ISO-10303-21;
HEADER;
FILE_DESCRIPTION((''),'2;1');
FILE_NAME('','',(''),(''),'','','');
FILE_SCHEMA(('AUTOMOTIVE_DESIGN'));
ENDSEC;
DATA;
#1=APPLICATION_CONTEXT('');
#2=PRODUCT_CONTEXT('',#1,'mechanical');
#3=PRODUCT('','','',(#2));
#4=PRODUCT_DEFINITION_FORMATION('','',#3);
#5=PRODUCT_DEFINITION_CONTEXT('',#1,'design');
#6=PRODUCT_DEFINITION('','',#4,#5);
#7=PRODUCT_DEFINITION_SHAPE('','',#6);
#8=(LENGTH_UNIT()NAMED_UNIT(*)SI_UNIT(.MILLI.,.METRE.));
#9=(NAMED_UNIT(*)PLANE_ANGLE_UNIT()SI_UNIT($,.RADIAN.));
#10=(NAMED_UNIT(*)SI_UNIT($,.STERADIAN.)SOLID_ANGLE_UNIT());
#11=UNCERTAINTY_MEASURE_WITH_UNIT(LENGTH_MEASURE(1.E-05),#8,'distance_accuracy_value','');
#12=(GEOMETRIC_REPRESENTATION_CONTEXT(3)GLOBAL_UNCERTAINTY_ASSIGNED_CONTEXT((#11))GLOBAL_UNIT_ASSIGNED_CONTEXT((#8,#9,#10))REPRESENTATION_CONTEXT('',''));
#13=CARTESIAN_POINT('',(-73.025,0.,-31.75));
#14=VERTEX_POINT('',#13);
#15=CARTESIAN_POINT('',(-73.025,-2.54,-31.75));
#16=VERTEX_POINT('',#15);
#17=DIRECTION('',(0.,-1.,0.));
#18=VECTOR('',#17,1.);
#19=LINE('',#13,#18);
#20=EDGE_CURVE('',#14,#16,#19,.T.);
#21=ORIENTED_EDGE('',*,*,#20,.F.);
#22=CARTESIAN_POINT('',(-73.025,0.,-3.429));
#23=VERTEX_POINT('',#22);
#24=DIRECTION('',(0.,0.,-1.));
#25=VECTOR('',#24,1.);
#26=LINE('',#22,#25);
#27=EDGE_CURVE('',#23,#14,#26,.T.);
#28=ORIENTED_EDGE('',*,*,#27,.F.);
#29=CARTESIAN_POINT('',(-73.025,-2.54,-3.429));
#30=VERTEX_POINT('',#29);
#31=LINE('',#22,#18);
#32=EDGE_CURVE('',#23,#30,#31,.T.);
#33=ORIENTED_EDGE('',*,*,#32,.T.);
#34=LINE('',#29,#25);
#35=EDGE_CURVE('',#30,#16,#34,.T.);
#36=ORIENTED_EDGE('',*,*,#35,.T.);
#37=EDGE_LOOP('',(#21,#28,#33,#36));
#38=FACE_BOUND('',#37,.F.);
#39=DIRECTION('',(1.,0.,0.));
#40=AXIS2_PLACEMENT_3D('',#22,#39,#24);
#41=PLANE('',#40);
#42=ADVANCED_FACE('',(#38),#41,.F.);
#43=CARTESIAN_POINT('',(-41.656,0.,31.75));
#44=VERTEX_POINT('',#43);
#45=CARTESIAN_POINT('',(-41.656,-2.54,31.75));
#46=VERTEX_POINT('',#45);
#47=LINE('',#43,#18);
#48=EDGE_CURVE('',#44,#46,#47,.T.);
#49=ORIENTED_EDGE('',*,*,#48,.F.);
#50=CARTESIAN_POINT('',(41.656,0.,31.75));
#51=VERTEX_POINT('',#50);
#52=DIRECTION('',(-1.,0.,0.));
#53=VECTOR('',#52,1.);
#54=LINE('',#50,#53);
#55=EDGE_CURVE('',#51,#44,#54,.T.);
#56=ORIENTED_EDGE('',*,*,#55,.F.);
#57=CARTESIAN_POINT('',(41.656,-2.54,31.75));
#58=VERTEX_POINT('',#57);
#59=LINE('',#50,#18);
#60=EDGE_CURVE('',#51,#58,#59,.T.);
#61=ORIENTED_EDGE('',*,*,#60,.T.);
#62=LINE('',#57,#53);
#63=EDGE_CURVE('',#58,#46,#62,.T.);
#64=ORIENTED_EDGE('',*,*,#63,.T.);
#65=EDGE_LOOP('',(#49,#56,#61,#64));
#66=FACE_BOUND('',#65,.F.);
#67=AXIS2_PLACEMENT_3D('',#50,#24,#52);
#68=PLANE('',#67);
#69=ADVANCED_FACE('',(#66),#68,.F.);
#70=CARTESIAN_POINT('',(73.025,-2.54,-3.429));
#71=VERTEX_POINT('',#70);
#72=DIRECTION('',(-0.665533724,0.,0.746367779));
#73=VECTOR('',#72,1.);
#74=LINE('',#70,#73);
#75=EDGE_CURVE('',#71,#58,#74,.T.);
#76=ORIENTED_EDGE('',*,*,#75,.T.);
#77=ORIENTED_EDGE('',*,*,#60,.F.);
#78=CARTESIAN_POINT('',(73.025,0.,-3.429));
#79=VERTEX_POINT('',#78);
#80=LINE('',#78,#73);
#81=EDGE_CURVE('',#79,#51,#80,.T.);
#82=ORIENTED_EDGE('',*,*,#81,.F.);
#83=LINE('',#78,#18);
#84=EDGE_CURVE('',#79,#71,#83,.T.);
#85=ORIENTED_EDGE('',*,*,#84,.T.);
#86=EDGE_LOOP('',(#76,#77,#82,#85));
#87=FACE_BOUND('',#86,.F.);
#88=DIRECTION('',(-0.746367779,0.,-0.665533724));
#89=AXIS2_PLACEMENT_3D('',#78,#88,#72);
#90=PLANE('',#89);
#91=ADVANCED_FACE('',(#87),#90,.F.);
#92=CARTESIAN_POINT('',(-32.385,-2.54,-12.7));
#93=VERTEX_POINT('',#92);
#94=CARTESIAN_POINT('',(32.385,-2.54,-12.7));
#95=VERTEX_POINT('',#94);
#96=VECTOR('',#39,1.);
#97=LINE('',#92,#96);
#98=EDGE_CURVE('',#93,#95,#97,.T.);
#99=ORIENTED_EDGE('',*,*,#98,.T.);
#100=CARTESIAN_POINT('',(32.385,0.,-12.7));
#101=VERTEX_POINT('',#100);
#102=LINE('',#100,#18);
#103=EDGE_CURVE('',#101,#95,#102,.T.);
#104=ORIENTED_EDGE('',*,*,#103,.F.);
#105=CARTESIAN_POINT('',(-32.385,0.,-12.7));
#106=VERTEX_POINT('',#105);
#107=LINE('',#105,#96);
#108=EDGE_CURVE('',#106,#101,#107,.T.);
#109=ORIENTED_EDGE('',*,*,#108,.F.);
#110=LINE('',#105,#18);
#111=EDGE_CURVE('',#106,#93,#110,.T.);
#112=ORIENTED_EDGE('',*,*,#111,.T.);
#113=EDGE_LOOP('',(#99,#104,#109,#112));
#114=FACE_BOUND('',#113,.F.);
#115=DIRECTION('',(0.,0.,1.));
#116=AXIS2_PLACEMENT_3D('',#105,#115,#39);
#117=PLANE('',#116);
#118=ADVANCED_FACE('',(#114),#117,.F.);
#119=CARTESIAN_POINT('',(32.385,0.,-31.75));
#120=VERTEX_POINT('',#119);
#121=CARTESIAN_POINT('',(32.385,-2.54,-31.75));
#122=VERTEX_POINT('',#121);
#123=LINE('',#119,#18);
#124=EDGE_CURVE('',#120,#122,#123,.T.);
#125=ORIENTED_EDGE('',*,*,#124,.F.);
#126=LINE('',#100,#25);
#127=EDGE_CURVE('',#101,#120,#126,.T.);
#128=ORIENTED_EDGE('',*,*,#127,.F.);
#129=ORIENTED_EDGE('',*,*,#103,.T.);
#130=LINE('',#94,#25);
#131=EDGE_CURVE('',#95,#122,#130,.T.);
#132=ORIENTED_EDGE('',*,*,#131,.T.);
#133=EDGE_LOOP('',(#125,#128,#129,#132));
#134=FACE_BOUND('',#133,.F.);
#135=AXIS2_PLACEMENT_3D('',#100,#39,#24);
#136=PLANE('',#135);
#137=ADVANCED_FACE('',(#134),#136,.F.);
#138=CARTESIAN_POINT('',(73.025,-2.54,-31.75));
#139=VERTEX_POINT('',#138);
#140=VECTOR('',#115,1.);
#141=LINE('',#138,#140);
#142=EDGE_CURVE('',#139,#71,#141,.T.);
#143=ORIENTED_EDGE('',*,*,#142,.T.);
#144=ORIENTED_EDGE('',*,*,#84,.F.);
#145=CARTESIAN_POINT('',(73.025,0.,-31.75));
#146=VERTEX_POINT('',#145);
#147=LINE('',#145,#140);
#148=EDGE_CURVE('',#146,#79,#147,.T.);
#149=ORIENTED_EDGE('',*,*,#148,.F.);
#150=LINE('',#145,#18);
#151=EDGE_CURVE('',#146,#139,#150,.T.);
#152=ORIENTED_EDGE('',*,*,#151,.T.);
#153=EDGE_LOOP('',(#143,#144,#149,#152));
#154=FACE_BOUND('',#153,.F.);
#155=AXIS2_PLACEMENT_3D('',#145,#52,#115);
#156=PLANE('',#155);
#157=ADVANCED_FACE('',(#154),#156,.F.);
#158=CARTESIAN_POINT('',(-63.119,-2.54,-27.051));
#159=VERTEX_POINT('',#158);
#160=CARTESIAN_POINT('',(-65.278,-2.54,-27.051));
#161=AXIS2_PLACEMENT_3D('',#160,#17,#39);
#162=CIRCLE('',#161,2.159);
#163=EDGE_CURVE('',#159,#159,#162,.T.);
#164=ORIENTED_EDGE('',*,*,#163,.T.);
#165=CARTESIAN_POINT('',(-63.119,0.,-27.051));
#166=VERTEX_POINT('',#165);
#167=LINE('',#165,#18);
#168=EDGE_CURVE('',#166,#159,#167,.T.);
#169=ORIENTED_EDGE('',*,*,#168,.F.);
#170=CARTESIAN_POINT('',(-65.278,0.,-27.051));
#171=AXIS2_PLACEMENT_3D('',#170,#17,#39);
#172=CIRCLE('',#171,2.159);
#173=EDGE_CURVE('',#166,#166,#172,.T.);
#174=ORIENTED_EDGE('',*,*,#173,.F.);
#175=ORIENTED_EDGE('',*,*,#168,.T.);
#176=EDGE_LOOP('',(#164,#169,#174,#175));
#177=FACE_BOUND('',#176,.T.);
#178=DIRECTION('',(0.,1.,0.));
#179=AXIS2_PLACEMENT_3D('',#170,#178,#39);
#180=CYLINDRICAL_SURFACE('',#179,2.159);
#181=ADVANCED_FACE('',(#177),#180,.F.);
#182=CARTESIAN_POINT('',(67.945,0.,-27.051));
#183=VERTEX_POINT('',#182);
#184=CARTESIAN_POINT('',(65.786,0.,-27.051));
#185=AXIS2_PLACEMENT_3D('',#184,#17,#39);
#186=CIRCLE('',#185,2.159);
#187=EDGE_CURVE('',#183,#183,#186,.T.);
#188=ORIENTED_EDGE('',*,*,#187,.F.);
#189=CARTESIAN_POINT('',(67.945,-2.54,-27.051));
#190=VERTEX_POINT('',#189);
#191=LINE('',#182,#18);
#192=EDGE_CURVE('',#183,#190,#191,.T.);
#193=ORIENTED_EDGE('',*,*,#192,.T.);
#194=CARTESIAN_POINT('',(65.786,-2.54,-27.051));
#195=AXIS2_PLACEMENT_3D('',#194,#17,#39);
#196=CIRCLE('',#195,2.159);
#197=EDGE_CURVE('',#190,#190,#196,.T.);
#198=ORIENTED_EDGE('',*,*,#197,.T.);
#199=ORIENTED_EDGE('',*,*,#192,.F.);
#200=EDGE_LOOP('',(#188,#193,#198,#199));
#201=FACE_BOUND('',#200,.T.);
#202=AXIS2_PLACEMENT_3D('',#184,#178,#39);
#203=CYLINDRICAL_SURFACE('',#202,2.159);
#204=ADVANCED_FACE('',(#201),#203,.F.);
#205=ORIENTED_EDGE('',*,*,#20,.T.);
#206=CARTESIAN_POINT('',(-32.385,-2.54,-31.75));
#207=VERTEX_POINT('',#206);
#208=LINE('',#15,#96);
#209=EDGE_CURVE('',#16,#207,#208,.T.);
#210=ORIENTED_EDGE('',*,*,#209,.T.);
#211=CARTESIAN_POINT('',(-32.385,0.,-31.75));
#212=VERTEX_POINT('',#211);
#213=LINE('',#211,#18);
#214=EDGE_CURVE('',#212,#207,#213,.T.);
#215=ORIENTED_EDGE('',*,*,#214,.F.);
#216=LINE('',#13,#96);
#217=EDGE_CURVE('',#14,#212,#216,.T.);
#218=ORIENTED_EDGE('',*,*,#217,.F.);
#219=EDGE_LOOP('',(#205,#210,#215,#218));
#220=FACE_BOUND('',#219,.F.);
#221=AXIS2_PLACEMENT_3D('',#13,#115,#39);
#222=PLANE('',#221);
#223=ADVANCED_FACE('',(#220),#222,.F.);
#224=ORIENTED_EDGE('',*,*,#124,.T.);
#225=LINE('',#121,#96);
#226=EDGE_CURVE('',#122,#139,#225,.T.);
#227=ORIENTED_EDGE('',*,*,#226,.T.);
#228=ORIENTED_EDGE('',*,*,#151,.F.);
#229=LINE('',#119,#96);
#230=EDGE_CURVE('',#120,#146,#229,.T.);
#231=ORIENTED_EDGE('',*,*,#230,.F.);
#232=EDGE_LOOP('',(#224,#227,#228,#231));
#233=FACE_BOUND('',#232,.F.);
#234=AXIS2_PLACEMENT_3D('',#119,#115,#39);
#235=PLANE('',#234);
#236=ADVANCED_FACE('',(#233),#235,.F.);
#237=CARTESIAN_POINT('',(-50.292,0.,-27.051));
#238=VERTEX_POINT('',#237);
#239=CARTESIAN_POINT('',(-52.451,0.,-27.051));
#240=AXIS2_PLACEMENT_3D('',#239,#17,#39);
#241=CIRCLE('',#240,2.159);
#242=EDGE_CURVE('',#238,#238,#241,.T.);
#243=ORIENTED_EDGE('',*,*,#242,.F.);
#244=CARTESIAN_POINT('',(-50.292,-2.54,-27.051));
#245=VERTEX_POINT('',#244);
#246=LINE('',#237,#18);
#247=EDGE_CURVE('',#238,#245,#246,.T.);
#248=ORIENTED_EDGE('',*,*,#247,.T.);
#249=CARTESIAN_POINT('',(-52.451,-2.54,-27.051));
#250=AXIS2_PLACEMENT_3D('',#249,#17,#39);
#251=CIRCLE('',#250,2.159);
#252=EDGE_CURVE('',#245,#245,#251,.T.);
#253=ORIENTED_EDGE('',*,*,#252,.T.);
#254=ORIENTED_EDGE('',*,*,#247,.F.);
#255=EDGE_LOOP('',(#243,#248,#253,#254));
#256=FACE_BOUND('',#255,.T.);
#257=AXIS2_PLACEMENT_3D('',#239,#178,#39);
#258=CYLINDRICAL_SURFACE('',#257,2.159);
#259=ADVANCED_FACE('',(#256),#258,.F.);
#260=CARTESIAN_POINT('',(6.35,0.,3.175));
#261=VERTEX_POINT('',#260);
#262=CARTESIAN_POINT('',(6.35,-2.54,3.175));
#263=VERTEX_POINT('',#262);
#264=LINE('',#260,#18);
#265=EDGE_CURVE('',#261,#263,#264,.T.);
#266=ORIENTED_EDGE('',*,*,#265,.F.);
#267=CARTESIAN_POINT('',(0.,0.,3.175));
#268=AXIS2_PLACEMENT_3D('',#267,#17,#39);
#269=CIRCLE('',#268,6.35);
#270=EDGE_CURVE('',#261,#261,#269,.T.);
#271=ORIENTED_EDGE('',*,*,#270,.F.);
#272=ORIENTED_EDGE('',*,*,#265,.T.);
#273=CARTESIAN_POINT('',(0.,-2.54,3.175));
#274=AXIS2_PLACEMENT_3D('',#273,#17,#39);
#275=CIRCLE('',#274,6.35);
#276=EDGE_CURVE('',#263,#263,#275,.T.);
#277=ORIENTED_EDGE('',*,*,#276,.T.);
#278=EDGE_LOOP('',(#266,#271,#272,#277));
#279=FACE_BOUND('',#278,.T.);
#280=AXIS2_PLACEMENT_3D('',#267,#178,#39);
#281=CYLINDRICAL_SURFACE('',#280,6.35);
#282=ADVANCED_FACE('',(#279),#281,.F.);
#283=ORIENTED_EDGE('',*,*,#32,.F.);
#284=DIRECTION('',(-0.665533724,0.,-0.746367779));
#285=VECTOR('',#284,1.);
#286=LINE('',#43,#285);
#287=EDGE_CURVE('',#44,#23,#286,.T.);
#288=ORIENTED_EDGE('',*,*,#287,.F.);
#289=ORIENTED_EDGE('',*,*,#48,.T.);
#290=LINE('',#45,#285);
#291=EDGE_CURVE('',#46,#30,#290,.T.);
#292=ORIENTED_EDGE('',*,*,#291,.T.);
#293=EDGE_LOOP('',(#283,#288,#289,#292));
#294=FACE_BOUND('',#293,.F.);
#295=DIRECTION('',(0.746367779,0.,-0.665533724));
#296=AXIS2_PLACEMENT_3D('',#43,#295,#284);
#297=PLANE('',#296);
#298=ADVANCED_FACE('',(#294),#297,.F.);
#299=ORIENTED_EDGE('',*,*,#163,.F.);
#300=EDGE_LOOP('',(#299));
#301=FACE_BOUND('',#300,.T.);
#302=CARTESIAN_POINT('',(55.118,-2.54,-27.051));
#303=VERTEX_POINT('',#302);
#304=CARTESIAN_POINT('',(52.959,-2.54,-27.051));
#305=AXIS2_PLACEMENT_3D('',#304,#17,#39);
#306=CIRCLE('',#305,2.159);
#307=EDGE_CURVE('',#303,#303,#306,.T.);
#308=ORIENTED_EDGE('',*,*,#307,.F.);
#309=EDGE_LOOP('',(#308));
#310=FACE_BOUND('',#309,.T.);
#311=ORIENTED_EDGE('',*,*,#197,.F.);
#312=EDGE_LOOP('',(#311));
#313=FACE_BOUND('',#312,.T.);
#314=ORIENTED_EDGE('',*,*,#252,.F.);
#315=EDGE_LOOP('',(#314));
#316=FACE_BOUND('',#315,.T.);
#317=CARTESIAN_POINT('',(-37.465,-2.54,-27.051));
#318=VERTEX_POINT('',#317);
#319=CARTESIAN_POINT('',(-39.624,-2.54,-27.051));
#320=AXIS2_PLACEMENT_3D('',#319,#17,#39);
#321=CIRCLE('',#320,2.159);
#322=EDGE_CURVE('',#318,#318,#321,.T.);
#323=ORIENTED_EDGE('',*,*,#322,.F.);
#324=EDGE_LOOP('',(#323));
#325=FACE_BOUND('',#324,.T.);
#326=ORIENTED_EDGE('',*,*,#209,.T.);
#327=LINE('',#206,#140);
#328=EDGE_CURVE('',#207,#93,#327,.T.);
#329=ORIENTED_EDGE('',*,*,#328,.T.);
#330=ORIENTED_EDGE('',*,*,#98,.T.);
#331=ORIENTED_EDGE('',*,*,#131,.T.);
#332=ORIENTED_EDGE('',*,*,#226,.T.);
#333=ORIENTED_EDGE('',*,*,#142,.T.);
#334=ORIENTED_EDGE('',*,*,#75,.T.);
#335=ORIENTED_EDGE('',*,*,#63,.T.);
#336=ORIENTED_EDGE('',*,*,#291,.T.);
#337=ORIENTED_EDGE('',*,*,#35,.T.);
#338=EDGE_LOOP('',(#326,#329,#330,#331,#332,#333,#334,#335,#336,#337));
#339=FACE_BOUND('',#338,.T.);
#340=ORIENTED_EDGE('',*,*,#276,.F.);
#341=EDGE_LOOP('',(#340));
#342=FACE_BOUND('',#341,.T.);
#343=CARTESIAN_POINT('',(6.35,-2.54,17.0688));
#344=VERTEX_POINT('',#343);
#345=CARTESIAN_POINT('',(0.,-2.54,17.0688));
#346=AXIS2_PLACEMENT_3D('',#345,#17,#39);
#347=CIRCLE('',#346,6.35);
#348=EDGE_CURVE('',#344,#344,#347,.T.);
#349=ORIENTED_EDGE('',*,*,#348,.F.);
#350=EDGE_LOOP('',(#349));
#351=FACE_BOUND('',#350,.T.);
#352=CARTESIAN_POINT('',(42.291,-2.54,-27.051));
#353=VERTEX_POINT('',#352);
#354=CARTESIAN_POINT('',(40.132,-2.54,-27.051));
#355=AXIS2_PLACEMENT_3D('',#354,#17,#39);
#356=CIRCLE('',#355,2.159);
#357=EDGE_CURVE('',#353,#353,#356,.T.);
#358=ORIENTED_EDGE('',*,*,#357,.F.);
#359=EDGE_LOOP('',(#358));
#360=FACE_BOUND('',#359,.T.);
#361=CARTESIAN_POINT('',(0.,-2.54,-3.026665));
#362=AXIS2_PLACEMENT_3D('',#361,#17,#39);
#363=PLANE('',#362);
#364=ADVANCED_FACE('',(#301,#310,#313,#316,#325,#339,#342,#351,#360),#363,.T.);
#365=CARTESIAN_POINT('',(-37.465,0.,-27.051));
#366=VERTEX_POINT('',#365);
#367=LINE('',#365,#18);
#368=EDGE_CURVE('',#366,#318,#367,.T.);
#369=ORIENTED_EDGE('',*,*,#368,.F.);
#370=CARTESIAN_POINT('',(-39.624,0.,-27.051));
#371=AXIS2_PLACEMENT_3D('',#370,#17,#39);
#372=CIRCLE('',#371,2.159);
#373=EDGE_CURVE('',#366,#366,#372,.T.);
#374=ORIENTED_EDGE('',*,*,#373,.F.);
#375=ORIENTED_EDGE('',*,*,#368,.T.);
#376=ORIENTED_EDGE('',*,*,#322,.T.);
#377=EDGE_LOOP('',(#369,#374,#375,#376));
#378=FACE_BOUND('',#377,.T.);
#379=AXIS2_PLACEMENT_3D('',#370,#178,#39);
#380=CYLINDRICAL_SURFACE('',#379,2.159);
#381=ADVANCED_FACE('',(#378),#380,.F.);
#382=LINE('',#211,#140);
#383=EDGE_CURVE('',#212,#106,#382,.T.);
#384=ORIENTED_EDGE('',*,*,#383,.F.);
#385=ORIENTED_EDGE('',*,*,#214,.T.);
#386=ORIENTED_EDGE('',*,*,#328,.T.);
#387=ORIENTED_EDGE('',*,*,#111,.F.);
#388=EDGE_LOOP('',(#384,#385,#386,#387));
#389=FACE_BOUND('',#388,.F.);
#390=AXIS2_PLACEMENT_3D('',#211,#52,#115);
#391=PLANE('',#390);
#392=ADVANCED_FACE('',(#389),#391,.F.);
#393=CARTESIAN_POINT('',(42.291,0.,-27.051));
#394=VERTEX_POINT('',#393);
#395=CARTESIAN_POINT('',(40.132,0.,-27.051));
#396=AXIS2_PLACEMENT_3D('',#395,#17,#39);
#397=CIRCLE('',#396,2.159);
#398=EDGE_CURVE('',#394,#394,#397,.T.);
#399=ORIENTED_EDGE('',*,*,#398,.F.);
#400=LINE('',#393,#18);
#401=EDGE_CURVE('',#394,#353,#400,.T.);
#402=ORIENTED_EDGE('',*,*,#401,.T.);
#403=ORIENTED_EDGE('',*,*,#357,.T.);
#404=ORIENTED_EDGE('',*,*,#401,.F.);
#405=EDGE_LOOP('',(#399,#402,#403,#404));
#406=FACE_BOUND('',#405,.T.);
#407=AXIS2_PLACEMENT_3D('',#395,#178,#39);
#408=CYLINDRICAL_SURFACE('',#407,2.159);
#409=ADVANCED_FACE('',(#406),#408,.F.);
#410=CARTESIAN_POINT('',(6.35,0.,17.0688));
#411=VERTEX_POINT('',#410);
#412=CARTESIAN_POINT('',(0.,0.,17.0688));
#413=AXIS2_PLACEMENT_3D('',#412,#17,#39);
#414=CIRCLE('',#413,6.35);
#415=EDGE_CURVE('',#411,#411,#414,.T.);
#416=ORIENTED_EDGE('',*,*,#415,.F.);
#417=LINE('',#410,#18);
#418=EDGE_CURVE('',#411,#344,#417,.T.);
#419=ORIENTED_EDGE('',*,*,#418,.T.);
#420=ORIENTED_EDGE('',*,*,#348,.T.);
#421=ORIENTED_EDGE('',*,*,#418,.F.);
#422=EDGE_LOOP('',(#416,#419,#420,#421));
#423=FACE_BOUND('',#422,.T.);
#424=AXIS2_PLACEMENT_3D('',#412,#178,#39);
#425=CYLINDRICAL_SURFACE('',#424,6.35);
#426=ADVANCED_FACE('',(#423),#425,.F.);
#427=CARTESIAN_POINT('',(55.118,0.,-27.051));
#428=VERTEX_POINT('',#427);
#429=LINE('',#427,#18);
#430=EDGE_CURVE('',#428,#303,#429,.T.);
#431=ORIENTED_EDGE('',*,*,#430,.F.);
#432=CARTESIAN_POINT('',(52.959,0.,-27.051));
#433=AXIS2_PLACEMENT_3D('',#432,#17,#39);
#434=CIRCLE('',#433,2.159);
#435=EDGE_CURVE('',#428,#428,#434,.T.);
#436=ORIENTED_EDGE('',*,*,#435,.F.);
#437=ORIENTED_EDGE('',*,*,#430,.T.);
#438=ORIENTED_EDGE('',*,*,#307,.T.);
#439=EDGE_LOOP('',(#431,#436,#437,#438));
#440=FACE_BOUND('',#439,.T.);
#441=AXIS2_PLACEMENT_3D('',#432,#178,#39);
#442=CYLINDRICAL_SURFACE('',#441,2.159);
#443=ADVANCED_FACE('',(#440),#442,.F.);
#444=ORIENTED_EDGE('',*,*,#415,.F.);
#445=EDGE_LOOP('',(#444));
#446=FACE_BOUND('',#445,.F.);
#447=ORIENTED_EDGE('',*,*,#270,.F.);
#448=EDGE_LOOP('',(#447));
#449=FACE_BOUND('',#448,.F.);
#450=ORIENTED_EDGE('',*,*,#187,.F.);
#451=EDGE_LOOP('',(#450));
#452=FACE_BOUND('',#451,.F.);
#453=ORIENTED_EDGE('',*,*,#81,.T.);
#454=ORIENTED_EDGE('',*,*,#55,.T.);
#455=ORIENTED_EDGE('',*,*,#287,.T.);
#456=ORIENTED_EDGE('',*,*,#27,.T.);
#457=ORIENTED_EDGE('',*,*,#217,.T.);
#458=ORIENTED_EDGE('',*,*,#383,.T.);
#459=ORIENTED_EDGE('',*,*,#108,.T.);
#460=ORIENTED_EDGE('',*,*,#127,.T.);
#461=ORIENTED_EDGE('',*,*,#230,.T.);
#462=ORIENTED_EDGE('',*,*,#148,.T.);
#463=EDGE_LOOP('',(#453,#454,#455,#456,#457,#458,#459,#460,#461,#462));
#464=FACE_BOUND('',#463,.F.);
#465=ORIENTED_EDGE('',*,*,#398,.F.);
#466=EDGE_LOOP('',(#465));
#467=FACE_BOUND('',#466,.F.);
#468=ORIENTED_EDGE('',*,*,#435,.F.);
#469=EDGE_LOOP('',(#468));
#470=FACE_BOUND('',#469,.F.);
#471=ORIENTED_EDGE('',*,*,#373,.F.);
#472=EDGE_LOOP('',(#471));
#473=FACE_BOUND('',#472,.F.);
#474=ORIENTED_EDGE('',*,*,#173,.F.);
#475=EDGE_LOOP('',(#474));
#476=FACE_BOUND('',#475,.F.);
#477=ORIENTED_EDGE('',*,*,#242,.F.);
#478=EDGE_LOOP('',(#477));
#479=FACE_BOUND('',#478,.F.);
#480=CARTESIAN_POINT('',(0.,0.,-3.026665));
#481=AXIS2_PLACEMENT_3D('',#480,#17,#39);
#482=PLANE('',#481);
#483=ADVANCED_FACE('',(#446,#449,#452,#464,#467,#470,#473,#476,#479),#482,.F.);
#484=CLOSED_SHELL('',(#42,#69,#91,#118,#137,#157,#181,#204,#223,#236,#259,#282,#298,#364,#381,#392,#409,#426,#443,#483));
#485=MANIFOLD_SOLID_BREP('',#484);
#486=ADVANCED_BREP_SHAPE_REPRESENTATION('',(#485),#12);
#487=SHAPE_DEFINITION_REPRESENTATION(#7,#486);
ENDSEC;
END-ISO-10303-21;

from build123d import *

# Parameters (mm, degrees)
F0_R     = 2.159
F0_R_2   = 6.35
F1_DEPTH = 2.54


with BuildPart() as f1:
    # F0 (on Front) → F1 (new body)
    with BuildSketch(Plane.XZ):
        Polygon((73.025, -3.429), (41.656, 31.75), (32.385, 31.75), (-32.385, 31.75), (-41.656, 31.75), (-73.025, -3.429), (-73.025, -12.7), (-73.025, -31.75), (-32.385, -31.75), (-32.385, -12.7), (32.385, -12.7), (32.385, -31.75), (73.025, -31.75), (73.025, -12.7), align=None)
        with Locations((-65.278, -27.051)):
            Circle(F0_R, mode=Mode.SUBTRACT)
        with Locations((-52.451, -27.051)):
            Circle(F0_R, mode=Mode.SUBTRACT)
        with Locations((-39.624, -27.051)):
            Circle(F0_R, mode=Mode.SUBTRACT)
        with Locations((40.132, -27.051)):
            Circle(F0_R, mode=Mode.SUBTRACT)
        with Locations((52.959, -27.051)):
            Circle(F0_R, mode=Mode.SUBTRACT)
        with Locations((65.786, -27.051)):
            Circle(F0_R, mode=Mode.SUBTRACT)
        with Locations((0, 3.175)):
            Circle(F0_R_2, mode=Mode.SUBTRACT)
        with Locations((0, 17.0688)):
            Circle(F0_R_2, mode=Mode.SUBTRACT)
    extrude(amount=F1_DEPTH)


solid = f1.part
